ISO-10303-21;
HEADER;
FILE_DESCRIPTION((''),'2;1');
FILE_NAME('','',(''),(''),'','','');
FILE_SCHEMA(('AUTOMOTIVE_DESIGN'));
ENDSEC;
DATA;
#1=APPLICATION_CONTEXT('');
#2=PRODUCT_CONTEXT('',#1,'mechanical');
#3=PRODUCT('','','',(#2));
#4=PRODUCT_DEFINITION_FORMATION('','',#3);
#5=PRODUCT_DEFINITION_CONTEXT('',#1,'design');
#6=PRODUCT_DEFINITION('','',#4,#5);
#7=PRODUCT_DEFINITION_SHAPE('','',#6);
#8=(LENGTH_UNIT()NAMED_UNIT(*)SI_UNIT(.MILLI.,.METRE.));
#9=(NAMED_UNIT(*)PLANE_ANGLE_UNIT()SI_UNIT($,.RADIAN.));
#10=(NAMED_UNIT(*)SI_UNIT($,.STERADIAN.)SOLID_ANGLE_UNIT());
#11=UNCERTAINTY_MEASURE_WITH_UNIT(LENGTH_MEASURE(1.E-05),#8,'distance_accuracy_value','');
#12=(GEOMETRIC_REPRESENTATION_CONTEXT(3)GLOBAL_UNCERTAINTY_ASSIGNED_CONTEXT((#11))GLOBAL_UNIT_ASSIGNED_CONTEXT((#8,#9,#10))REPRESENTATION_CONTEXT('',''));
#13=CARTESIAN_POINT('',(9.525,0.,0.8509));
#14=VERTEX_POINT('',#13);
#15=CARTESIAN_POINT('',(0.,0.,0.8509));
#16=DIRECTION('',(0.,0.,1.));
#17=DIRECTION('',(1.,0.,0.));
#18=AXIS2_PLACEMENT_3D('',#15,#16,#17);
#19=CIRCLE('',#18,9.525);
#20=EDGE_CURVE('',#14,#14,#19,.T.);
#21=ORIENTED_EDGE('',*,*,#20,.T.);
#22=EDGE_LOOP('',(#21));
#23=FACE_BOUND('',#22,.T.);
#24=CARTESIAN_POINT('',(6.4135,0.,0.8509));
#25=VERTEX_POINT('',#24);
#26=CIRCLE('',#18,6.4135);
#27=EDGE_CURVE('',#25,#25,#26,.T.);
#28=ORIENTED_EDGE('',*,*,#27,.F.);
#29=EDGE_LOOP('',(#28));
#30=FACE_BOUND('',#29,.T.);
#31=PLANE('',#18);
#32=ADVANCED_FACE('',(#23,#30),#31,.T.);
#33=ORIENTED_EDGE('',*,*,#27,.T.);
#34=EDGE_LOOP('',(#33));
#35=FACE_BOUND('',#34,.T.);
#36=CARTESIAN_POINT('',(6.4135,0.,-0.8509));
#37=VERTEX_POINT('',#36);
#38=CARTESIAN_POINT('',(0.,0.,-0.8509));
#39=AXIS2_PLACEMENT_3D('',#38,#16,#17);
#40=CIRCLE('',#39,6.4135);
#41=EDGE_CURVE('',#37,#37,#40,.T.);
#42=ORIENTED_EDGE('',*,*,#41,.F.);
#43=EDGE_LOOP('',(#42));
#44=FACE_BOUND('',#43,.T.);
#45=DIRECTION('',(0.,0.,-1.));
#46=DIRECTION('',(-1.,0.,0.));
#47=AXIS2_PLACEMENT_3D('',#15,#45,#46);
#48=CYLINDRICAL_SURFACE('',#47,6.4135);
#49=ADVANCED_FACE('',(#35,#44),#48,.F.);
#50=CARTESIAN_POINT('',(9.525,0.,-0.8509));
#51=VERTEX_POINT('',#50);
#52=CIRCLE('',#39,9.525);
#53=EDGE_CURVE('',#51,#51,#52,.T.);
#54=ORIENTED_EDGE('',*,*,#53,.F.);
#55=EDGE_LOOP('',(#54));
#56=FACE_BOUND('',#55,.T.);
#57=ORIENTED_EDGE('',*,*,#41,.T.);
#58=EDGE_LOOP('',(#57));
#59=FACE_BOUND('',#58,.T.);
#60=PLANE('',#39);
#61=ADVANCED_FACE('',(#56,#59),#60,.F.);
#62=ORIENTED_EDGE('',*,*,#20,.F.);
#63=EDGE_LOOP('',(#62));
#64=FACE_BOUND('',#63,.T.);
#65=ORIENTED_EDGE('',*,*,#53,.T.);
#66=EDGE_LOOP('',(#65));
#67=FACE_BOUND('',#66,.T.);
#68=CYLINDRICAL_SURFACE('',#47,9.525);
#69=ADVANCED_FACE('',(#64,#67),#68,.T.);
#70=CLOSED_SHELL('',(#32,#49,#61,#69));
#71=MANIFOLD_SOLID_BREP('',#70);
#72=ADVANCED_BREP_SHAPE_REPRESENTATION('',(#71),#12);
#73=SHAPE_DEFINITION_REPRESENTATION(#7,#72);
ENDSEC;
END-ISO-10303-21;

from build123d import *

# Parameters (mm, degrees)
BOSS_EXTRUDE1_DEPTH      = 0.8509
BOSS_EXTRUDE1_DEPTH_BACK = 0.8509
SKETCH3_R                = 9.525
SKETCH3_R_2              = 6.4135


with BuildPart() as part:
    # Sketch3 → Boss-Extrude1 (new, two sides: drawn at the far end of the back side and taken through both)
    with BuildSketch(Plane.XY.offset(-BOSS_EXTRUDE1_DEPTH_BACK)):
        Circle(SKETCH3_R)
        Circle(SKETCH3_R_2, mode=Mode.SUBTRACT)
    extrude(amount=BOSS_EXTRUDE1_DEPTH + BOSS_EXTRUDE1_DEPTH_BACK)


solid = part.part
